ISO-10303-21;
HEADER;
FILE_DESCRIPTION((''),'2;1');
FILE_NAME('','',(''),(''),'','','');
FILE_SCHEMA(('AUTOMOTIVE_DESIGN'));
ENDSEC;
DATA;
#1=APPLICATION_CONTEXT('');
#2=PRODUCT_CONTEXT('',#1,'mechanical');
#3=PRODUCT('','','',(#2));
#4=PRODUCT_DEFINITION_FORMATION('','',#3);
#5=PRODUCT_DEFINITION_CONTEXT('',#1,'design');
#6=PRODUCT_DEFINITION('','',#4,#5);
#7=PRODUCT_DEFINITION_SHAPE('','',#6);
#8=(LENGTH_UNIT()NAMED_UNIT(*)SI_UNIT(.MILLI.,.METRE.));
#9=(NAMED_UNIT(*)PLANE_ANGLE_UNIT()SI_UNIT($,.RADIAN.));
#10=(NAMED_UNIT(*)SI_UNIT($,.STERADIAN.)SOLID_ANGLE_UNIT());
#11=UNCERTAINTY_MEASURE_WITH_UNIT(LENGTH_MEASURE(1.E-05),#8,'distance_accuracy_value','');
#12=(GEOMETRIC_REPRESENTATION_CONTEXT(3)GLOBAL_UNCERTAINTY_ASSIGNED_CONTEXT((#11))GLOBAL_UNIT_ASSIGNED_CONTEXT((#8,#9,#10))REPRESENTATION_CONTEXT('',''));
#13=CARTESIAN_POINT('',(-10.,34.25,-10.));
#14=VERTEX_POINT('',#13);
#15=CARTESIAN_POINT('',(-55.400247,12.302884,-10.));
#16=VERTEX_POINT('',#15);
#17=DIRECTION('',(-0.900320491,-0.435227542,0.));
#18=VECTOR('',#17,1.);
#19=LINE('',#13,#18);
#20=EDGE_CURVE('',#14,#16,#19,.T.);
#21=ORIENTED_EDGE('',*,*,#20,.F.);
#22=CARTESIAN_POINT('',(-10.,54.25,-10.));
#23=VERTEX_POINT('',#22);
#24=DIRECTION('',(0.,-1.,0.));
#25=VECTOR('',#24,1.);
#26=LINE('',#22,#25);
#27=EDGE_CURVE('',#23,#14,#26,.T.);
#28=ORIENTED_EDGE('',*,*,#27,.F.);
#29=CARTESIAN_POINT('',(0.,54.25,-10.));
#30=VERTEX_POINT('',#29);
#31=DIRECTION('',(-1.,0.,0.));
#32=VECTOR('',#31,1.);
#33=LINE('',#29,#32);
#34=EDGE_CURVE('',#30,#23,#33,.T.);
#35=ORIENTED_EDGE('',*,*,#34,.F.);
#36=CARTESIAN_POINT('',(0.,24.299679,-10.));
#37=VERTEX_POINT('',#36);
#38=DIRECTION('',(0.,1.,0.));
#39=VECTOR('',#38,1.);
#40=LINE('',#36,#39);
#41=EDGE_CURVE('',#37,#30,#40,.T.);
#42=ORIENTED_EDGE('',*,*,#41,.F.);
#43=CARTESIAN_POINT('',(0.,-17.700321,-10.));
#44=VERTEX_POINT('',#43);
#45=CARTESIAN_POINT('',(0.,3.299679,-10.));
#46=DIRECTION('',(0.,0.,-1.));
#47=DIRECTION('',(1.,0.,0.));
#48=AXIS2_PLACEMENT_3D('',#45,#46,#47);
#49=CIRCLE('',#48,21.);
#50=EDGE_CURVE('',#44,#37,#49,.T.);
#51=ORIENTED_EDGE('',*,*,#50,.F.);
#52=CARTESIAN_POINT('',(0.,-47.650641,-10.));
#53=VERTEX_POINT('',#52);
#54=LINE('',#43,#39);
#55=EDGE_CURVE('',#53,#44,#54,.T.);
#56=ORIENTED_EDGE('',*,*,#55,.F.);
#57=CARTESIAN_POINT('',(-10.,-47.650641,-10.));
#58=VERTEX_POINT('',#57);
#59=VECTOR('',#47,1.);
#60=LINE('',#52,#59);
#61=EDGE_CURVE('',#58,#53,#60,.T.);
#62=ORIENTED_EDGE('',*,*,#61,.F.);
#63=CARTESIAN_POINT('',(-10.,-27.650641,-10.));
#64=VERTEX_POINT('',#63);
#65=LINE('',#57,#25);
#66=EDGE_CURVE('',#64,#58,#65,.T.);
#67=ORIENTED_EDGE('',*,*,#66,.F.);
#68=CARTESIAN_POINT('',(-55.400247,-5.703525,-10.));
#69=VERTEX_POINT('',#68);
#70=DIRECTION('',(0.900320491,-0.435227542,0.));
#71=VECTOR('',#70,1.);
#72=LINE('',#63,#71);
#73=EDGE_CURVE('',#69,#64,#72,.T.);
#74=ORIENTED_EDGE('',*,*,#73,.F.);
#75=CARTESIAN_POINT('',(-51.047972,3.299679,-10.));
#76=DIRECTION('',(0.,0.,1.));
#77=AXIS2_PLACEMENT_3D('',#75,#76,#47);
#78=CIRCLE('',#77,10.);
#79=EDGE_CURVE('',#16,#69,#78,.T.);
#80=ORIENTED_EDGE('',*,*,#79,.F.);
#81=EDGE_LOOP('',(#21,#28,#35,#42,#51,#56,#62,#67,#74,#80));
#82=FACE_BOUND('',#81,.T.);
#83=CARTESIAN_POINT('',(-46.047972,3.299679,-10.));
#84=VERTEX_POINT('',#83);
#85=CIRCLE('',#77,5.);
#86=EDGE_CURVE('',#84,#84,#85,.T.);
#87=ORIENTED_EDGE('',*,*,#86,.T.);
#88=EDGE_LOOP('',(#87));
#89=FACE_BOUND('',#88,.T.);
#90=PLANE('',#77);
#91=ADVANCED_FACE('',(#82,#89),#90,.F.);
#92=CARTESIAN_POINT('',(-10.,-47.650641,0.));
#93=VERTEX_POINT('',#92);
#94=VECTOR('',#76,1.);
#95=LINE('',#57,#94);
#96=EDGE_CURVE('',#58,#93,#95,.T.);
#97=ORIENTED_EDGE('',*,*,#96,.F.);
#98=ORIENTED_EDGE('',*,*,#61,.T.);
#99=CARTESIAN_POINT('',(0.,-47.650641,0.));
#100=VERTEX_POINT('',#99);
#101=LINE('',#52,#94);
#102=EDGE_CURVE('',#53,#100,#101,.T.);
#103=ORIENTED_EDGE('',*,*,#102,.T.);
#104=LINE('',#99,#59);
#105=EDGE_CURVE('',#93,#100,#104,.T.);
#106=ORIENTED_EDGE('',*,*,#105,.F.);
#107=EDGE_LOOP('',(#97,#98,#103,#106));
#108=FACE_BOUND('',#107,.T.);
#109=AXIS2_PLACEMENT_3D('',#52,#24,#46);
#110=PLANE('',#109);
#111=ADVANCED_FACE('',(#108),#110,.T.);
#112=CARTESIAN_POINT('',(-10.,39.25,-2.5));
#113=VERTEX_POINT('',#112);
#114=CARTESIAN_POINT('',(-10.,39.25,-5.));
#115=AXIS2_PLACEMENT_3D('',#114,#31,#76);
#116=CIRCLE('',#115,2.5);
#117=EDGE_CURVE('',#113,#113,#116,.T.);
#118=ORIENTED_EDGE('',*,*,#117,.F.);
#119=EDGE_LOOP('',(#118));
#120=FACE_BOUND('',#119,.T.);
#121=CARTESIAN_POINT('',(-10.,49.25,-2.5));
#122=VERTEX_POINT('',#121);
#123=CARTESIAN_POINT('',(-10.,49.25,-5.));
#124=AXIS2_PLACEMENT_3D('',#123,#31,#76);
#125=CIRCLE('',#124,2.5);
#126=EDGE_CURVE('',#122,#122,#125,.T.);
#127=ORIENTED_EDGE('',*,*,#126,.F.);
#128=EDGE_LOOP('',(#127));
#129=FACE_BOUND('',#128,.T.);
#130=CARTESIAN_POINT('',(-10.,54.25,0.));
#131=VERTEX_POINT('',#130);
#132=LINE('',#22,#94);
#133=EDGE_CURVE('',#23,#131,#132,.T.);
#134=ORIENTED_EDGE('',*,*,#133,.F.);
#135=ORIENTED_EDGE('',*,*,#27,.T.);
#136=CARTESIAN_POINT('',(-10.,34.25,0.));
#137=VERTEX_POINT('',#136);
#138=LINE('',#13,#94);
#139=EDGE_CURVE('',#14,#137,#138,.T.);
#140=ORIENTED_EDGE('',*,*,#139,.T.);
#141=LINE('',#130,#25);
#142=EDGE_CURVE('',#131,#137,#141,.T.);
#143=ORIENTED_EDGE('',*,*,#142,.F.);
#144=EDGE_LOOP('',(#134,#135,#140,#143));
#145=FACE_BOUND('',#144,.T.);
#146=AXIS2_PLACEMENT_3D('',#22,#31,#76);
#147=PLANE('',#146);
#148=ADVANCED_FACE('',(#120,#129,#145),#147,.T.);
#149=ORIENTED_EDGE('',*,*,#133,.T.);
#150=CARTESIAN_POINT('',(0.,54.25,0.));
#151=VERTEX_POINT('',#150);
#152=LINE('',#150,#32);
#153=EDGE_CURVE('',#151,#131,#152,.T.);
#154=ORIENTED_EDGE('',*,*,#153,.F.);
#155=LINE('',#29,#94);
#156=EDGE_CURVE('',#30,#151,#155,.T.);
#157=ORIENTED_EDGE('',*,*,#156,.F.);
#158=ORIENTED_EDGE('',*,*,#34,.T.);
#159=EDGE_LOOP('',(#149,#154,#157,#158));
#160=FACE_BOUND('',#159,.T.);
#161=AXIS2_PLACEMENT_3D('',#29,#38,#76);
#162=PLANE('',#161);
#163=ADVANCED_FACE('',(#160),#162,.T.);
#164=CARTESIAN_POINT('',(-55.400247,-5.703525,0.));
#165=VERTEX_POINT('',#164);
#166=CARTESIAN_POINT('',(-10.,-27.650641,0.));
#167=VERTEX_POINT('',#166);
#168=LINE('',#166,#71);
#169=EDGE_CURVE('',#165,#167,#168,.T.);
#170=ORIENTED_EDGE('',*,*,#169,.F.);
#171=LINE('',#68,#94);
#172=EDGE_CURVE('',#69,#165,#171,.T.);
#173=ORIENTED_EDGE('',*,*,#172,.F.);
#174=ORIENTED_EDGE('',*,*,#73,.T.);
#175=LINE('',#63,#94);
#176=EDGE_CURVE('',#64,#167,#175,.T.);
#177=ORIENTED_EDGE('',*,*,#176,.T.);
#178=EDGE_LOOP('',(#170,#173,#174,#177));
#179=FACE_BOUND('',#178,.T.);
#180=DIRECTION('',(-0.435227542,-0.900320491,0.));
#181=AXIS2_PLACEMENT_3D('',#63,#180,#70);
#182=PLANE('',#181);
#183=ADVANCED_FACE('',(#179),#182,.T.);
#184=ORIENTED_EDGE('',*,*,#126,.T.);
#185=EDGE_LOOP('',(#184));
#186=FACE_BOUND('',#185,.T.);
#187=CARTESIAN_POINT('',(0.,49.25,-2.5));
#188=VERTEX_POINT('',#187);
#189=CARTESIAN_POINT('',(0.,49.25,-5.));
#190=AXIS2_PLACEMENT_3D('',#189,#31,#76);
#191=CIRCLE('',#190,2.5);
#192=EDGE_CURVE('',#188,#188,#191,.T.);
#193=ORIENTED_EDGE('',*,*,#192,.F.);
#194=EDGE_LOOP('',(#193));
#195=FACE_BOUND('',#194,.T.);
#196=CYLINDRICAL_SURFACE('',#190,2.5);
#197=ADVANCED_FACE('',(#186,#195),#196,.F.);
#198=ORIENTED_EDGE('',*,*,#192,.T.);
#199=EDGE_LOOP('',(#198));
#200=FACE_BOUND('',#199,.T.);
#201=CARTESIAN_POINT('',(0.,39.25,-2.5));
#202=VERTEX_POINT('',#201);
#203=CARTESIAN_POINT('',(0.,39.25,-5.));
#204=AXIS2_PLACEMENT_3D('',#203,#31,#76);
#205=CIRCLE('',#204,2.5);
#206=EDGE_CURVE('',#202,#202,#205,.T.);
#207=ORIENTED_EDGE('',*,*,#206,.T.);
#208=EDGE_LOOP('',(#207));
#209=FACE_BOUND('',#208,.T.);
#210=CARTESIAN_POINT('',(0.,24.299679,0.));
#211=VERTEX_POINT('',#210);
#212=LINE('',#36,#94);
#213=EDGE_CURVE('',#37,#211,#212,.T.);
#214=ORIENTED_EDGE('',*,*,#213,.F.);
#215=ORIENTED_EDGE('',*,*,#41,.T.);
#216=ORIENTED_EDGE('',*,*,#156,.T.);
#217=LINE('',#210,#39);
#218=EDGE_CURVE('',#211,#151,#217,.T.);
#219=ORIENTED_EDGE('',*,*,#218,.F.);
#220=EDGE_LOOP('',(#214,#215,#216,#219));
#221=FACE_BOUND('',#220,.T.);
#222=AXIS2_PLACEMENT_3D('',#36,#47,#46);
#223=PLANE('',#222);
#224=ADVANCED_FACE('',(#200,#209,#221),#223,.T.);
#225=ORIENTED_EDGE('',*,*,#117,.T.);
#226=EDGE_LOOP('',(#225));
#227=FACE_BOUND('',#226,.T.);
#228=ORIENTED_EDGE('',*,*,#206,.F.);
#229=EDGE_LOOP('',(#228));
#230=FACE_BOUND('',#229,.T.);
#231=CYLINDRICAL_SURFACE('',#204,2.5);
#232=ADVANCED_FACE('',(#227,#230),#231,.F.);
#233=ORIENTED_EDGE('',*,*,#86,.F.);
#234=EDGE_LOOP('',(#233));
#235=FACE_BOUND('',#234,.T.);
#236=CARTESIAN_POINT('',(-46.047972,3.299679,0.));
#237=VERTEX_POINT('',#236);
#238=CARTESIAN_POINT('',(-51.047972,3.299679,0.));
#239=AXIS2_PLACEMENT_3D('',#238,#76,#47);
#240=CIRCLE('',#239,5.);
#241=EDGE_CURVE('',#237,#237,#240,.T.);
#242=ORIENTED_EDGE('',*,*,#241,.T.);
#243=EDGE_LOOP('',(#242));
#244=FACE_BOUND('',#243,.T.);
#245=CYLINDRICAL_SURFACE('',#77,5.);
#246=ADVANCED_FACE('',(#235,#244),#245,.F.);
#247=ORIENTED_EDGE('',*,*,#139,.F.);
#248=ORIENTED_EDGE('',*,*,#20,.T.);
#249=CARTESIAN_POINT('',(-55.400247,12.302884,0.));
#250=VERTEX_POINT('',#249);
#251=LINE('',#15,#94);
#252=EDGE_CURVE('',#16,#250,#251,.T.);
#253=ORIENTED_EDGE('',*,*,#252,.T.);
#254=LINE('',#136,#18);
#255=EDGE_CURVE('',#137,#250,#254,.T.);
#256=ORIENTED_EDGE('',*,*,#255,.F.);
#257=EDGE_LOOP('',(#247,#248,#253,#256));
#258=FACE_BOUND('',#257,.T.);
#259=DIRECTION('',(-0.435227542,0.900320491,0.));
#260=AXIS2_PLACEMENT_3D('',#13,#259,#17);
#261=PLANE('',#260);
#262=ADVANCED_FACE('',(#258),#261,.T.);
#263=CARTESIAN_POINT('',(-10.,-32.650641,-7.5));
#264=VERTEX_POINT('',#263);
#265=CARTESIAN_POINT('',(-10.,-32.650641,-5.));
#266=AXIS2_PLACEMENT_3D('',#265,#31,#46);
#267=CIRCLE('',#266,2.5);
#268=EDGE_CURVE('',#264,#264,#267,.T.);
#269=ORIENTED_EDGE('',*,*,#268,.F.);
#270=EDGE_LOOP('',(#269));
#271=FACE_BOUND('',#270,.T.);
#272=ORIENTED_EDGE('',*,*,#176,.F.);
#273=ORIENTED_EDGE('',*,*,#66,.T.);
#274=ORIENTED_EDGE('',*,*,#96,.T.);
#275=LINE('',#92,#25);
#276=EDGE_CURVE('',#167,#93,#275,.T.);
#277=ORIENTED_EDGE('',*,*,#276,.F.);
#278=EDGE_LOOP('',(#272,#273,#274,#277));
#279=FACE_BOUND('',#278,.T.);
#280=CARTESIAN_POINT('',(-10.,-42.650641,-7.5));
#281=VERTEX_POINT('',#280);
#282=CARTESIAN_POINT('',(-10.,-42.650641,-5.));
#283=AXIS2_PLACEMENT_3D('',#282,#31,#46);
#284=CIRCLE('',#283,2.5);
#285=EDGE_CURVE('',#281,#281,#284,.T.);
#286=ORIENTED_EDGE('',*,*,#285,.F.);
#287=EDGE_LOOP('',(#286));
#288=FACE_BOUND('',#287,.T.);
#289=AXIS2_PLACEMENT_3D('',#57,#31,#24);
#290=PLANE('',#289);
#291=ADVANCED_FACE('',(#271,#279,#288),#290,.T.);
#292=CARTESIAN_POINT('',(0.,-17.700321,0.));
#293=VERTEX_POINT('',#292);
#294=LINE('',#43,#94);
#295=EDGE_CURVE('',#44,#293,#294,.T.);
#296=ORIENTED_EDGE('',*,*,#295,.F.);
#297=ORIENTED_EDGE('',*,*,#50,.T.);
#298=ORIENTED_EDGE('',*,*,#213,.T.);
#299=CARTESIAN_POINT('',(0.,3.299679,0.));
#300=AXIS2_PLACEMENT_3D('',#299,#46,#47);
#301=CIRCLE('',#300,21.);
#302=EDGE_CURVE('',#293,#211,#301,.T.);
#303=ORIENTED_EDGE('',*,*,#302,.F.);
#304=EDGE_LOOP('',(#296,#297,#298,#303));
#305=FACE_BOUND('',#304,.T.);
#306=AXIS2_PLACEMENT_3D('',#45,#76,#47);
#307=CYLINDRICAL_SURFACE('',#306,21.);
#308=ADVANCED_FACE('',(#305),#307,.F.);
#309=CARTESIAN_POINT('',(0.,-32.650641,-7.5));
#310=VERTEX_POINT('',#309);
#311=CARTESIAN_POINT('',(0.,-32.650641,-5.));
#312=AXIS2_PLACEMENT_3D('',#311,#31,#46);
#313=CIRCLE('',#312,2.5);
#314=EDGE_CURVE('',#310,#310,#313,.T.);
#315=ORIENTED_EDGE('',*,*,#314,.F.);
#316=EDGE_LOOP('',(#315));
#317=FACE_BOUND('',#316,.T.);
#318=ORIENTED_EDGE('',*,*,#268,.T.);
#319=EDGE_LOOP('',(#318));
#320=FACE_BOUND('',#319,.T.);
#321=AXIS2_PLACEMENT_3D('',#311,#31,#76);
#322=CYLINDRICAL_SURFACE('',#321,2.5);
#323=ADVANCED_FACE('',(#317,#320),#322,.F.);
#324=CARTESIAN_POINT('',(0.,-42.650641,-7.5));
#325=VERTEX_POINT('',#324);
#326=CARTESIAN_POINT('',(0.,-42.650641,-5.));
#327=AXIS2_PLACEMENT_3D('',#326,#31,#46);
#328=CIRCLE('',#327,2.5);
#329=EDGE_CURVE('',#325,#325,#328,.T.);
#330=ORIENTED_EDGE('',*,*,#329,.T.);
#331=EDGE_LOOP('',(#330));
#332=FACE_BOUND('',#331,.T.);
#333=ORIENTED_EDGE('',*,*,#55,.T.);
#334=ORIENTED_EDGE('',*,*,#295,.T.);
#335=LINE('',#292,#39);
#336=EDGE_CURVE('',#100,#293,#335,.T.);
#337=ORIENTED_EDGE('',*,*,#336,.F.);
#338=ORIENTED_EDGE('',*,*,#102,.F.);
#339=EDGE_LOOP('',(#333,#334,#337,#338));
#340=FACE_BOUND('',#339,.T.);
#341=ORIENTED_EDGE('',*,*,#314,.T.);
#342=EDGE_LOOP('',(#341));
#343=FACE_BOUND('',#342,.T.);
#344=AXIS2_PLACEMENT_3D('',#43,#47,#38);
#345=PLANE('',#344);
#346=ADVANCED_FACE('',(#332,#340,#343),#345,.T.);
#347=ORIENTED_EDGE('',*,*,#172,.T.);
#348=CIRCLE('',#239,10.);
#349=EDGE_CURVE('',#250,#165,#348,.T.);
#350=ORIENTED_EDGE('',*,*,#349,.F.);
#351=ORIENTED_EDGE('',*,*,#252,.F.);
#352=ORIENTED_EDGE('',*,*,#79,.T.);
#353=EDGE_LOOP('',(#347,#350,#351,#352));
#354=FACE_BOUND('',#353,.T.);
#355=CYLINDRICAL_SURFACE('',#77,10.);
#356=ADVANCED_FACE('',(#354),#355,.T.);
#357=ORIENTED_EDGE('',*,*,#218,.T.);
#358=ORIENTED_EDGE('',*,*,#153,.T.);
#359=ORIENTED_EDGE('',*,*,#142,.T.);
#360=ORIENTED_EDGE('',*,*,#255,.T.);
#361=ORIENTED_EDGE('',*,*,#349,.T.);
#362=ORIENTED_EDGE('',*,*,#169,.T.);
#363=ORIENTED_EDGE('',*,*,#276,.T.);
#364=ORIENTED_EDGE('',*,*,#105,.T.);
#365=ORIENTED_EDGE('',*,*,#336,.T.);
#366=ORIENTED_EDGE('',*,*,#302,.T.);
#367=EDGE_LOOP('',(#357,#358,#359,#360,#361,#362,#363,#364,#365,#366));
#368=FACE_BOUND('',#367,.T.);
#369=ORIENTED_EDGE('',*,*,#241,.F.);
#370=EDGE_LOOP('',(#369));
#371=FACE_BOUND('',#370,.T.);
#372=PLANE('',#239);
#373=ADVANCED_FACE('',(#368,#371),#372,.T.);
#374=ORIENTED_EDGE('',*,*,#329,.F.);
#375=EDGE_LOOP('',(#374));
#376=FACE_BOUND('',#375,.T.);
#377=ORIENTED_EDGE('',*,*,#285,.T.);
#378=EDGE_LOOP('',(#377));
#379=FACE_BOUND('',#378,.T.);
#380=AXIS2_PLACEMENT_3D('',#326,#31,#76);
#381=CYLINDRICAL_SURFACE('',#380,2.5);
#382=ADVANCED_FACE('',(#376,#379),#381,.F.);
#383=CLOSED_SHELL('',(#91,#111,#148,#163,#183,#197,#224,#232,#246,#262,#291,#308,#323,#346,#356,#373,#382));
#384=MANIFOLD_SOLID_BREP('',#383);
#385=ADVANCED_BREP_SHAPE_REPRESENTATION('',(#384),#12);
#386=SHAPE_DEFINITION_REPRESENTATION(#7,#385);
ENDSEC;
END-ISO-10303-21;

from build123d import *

# Parameters (mm, degrees)
BOSS_EXTRUDE1_DEPTH = 10
SKETCH2_R           = 5
CUT_EXTRUDE1_DEPTH  = 83.27950738
SKETCH3_R           = 2.5
CUT_EXTRUDE2_DEPTH  = 76.159549646


with BuildPart() as part:
    # Sketch1 → Boss-Extrude1 (new body)
    with BuildSketch(Plane.XY):
        with BuildLine():
            Line((0, 24.299679487), (0, 54.25))
            Line((0, 54.25), (-10, 54.25))
            Line((-10, 54.25), (-10, 34.25))
            Line((-10, 34.25), (-55.400247003, 12.302884399))
            ThreePointArc((-55.400247003, 12.302884399), (-61.047971586, 3.299679487), (-55.400247003, -5.703525425))
            Line((-55.400247003, -5.703525425), (-10, -27.650641026))
            Line((-10, -27.650641026), (-10, -47.650641026))
            Line((-10, -47.650641026), (0, -47.650641026))
            Line((0, -47.650641026), (0, -17.700320513))
            ThreePointArc((0, -17.700320513), (-21, 3.299679487), (0, 24.299679487))
        make_face()
    extrude(amount=-BOSS_EXTRUDE1_DEPTH)

    # Sketch2 → Cut-Extrude1 (cut, through all)
    with BuildSketch(Plane.XY):
        with Locations((-51.047971586, 3.299679487)):
            Circle(SKETCH2_R)
    extrude(amount=-CUT_EXTRUDE1_DEPTH, mode=Mode.SUBTRACT)

    # Sketch3 → Cut-Extrude2 (cut, through all)
    with BuildSketch(Plane.ZY.offset(10)):
        with Locations((-5, 49.25)):
            Circle(SKETCH3_R)
        with Locations((-5, 39.25)):
            Circle(SKETCH3_R)
        with Locations(Location((-5, -32.650641026, 0), (0, 0, 180))):
            Circle(SKETCH3_R)
        with Locations(Location((-5, -42.650641026, 0), (0, 0, 180))):
            Circle(SKETCH3_R)
    extrude(amount=-CUT_EXTRUDE2_DEPTH, mode=Mode.SUBTRACT)


solid = part.part
